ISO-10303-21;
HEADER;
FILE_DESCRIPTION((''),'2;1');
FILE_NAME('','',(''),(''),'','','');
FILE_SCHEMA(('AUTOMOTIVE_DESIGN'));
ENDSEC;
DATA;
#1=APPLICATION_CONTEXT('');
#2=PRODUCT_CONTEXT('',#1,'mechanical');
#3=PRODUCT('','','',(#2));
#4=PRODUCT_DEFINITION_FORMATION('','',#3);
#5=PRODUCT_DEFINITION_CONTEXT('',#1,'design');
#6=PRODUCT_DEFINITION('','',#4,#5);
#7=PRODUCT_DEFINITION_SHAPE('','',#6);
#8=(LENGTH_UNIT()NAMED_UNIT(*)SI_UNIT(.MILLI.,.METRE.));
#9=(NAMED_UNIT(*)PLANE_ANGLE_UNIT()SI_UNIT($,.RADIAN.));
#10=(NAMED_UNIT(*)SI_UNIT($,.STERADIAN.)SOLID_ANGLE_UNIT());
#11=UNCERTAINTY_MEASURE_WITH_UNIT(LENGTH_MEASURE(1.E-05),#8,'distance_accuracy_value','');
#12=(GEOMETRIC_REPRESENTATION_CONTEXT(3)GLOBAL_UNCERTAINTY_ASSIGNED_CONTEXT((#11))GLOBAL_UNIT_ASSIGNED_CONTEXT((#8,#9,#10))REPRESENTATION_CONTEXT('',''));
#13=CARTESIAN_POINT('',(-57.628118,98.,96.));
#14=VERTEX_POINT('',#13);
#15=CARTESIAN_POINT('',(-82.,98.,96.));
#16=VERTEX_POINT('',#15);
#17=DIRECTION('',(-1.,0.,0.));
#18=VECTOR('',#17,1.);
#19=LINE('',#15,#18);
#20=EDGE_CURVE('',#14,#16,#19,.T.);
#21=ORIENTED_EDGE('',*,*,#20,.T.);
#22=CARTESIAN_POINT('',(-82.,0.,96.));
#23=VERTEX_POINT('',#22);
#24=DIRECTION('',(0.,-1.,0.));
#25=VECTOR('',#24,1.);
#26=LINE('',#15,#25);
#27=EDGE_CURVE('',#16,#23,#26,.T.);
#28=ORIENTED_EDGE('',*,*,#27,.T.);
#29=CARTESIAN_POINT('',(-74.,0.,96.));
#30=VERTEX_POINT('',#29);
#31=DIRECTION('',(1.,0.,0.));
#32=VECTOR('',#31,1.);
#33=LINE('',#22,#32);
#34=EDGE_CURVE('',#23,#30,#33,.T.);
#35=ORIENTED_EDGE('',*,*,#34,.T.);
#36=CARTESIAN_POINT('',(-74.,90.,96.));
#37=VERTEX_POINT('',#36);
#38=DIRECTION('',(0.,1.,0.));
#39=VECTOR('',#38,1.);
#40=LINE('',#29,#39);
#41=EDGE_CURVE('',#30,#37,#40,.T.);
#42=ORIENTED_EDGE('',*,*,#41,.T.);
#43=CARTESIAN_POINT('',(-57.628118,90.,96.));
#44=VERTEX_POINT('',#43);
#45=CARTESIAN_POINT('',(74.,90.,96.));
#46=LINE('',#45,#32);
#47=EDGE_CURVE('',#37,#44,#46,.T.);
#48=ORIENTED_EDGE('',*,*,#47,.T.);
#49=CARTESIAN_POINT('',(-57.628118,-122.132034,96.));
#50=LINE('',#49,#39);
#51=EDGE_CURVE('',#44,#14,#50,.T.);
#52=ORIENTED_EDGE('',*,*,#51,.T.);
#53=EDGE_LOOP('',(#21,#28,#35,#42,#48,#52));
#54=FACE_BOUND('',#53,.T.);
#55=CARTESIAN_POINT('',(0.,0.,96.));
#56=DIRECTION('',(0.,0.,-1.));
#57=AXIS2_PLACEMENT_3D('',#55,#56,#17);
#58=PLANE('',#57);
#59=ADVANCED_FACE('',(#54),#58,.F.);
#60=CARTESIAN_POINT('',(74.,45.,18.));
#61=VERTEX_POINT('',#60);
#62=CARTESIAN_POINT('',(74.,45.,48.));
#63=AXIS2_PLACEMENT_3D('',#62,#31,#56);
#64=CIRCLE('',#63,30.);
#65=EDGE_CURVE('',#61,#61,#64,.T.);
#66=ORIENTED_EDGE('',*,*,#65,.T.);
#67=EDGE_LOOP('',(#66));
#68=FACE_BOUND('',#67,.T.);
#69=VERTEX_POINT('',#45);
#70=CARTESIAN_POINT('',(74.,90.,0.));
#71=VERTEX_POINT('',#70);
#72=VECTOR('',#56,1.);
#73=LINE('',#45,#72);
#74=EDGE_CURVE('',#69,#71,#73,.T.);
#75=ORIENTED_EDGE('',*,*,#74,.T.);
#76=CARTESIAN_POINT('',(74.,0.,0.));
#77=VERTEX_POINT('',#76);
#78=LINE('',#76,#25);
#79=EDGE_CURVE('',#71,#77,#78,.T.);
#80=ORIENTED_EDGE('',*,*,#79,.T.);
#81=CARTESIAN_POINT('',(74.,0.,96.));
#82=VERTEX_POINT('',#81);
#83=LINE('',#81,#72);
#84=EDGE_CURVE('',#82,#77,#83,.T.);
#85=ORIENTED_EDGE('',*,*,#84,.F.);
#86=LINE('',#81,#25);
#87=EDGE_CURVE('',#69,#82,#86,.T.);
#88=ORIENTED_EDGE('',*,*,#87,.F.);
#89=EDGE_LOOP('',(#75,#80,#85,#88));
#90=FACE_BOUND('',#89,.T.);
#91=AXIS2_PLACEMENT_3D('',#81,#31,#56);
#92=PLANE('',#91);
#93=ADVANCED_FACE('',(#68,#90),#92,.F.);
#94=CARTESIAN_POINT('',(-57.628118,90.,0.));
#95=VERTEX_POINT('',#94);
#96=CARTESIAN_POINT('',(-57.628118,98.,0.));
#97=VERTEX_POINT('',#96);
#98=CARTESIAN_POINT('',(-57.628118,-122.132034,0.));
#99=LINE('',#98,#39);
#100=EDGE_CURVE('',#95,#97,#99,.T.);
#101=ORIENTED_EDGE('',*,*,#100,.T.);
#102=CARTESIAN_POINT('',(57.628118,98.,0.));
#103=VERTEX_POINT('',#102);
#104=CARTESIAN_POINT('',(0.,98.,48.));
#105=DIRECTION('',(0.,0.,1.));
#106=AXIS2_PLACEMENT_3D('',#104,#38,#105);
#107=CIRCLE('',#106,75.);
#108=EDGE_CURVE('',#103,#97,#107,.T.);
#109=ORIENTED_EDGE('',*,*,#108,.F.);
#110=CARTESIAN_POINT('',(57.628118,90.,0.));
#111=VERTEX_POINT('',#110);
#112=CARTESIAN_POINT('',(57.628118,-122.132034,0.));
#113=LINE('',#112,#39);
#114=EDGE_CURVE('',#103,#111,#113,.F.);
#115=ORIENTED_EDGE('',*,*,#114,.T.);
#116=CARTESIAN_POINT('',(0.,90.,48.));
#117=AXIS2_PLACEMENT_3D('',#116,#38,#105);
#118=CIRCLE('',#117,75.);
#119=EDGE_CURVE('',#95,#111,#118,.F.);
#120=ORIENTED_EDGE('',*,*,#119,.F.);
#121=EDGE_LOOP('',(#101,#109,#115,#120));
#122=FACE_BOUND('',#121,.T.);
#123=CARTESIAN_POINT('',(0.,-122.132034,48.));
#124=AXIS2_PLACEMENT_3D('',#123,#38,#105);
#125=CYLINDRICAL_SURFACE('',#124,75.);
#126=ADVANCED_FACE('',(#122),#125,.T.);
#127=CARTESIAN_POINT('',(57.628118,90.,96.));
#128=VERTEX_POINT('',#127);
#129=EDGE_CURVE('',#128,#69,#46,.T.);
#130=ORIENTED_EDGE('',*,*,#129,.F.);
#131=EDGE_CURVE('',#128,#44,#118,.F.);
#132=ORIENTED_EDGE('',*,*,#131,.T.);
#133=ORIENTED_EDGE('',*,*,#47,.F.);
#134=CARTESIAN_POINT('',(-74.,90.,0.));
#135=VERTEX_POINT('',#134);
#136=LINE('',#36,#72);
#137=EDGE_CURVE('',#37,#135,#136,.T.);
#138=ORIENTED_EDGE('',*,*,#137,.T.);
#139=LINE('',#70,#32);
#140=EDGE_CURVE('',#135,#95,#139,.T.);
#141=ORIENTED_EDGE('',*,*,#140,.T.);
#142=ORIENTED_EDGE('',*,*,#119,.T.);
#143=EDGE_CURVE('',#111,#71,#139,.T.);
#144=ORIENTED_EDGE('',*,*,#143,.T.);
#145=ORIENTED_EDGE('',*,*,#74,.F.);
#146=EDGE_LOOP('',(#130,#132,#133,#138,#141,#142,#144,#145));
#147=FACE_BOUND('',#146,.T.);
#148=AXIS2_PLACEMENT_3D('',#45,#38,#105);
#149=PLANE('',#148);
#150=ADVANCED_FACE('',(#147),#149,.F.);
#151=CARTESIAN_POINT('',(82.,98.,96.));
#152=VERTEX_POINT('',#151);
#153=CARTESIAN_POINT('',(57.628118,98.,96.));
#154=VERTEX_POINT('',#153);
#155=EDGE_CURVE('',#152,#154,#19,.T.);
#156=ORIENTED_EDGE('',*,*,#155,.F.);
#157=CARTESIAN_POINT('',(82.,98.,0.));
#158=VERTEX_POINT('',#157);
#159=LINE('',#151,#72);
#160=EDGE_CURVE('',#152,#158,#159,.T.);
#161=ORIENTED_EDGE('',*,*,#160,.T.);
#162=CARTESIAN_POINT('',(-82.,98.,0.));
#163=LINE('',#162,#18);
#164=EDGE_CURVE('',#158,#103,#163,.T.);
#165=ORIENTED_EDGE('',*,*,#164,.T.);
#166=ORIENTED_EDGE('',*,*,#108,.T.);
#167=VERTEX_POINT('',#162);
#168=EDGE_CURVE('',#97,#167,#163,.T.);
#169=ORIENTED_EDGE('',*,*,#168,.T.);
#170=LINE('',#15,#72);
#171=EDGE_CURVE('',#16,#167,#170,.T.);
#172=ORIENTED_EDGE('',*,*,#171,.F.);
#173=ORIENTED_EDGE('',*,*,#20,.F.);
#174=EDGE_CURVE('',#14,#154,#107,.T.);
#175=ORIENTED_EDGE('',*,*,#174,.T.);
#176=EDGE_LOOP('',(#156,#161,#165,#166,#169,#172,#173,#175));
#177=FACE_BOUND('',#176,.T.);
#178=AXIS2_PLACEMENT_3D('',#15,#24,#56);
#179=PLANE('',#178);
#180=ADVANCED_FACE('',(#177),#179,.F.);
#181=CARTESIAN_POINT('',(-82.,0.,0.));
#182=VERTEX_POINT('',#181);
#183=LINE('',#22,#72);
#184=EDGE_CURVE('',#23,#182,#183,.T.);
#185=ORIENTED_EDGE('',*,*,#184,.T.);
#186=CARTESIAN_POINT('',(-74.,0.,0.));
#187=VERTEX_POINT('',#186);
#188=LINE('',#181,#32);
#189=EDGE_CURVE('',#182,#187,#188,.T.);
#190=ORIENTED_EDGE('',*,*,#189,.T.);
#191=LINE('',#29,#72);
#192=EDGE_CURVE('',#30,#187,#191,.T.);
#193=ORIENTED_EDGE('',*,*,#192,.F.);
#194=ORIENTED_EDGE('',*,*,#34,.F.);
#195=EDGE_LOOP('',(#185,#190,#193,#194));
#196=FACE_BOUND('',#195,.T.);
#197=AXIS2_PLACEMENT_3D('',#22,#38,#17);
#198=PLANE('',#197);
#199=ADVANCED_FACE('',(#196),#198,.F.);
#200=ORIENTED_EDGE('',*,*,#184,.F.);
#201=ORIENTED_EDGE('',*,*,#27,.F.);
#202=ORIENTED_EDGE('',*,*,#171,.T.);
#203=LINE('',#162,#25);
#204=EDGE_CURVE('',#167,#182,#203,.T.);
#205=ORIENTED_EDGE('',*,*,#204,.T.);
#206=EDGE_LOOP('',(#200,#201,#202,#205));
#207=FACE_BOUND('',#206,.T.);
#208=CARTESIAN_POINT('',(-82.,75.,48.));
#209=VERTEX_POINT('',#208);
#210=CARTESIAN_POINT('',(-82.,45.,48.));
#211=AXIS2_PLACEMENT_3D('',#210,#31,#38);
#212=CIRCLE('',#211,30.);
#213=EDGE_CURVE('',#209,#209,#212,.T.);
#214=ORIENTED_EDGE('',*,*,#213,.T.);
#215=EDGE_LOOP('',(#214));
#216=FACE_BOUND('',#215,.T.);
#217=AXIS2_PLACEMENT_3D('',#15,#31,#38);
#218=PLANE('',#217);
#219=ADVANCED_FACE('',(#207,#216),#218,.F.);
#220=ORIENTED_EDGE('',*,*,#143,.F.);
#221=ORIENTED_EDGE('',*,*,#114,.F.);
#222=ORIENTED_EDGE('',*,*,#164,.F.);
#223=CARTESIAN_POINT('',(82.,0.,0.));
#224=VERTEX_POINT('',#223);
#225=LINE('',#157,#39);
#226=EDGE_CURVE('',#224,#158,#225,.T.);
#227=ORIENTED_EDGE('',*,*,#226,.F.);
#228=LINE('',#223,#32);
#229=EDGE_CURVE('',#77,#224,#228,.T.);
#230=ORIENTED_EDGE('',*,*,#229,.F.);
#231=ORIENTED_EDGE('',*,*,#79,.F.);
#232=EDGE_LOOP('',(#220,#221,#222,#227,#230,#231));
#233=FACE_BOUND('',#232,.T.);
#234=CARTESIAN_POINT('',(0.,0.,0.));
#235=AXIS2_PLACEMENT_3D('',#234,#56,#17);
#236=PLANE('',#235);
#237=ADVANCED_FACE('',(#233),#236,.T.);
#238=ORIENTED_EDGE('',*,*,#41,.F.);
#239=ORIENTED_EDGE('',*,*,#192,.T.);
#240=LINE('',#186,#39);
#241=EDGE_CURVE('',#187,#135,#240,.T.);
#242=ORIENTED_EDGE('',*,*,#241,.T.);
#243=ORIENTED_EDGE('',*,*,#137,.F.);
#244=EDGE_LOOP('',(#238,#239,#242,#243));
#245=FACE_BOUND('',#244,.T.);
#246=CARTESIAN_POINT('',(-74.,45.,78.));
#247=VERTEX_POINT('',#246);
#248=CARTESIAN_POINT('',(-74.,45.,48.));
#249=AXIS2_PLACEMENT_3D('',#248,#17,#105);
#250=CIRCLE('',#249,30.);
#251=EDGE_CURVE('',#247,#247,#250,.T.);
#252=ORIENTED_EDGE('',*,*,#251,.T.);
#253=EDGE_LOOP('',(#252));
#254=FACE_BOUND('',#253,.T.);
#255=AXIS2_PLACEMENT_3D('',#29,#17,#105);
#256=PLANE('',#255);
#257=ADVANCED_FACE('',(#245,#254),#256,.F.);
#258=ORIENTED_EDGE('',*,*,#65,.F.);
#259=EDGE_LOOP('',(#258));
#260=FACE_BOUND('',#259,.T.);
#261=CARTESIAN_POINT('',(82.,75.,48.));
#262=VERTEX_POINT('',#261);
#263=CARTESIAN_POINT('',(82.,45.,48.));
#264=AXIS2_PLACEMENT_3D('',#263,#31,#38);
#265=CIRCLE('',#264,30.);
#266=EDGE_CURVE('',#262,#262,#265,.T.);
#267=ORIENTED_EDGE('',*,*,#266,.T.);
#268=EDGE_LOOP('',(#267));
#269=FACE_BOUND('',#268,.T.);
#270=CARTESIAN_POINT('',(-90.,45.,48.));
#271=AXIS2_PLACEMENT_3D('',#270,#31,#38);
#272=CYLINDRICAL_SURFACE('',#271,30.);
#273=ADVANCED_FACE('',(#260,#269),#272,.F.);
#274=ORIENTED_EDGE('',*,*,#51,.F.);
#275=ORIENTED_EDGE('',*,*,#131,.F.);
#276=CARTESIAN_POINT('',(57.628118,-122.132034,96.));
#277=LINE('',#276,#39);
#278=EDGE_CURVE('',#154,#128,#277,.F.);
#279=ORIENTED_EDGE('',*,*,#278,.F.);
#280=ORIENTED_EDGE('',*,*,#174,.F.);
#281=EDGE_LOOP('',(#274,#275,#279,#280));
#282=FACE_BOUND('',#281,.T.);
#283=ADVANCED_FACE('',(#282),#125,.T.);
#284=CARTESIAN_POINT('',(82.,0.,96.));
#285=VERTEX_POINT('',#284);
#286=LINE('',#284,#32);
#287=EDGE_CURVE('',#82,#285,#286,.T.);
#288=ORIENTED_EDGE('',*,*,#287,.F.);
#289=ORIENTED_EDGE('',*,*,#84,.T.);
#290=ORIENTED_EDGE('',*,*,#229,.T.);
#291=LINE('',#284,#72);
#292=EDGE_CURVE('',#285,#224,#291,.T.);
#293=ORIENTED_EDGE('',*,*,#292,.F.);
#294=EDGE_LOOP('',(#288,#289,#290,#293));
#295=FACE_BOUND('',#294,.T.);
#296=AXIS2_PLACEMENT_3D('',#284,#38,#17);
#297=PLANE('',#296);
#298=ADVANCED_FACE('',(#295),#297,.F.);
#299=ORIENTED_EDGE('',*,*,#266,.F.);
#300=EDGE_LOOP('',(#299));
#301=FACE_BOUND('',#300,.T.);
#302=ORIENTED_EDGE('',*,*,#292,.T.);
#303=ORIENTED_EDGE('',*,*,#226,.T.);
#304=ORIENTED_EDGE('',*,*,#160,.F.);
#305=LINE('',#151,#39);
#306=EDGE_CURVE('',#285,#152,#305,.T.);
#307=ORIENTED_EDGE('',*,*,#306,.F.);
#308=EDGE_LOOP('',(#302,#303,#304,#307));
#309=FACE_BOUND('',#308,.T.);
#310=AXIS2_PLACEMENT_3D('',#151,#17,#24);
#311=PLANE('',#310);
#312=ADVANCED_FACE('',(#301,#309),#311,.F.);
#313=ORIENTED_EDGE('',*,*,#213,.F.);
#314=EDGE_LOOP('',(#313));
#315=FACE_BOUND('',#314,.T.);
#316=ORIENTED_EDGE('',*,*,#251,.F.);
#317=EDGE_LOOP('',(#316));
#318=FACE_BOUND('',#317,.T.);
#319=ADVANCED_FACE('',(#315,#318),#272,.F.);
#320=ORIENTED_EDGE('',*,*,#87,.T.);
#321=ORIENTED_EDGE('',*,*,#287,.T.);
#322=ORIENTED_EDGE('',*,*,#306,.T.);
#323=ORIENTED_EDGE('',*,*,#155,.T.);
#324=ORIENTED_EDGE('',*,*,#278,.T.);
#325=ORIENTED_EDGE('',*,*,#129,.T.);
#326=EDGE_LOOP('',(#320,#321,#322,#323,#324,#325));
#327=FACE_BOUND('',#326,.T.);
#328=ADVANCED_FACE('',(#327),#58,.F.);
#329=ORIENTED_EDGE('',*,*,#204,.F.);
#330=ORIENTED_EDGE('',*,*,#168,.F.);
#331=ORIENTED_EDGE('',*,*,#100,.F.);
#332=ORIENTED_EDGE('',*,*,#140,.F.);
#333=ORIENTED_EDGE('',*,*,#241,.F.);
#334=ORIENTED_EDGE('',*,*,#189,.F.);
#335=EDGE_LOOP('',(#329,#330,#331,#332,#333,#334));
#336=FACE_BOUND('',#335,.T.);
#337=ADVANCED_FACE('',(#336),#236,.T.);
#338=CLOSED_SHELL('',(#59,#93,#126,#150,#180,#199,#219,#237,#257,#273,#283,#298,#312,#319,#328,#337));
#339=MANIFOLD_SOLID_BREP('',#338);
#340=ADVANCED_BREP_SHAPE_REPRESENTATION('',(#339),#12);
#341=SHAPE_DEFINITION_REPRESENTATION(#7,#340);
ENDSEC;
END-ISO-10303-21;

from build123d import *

# Parameters (mm, degrees)
EXTRUDE_1_DEPTH     = 96
SKETCH_2_R          = 30
CUT_EXTRUDE_1_DEPTH = 172
SKETCH_3_R          = 75
EXTRUDE_2_DEPTH     = 8


with BuildPart() as part:
    # 草图1 → 凸台-拉伸1 (new body)
    with BuildSketch(Plane.XY):
        Polygon((-82, 98), (82, 98), (82, 0), (74, 0), (74, 90), (-74, 90), (-74, 0), (-82, 0), align=None)
    extrude(amount=EXTRUDE_1_DEPTH)

    # 草图2 → 切除-拉伸1 (cut)
    with BuildSketch(Plane(origin=(82, 0, 0), x_dir=(0, 0, -1), z_dir=(1, 0, 0))):
        with Locations(Location((-48, 45, 0), (0, 0, 90))):
            Circle(SKETCH_2_R)
    extrude(amount=-CUT_EXTRUDE_1_DEPTH, mode=Mode.SUBTRACT)

    # 草图3 → 凸台-拉伸2 (add)
    with BuildSketch(Plane(origin=(0, 98, 0), x_dir=(1, 0, 0), z_dir=(0, 1, 0))):
        with Locations((0, -48)):
            Circle(SKETCH_3_R)
    extrude(amount=-EXTRUDE_2_DEPTH)


solid = part.part
